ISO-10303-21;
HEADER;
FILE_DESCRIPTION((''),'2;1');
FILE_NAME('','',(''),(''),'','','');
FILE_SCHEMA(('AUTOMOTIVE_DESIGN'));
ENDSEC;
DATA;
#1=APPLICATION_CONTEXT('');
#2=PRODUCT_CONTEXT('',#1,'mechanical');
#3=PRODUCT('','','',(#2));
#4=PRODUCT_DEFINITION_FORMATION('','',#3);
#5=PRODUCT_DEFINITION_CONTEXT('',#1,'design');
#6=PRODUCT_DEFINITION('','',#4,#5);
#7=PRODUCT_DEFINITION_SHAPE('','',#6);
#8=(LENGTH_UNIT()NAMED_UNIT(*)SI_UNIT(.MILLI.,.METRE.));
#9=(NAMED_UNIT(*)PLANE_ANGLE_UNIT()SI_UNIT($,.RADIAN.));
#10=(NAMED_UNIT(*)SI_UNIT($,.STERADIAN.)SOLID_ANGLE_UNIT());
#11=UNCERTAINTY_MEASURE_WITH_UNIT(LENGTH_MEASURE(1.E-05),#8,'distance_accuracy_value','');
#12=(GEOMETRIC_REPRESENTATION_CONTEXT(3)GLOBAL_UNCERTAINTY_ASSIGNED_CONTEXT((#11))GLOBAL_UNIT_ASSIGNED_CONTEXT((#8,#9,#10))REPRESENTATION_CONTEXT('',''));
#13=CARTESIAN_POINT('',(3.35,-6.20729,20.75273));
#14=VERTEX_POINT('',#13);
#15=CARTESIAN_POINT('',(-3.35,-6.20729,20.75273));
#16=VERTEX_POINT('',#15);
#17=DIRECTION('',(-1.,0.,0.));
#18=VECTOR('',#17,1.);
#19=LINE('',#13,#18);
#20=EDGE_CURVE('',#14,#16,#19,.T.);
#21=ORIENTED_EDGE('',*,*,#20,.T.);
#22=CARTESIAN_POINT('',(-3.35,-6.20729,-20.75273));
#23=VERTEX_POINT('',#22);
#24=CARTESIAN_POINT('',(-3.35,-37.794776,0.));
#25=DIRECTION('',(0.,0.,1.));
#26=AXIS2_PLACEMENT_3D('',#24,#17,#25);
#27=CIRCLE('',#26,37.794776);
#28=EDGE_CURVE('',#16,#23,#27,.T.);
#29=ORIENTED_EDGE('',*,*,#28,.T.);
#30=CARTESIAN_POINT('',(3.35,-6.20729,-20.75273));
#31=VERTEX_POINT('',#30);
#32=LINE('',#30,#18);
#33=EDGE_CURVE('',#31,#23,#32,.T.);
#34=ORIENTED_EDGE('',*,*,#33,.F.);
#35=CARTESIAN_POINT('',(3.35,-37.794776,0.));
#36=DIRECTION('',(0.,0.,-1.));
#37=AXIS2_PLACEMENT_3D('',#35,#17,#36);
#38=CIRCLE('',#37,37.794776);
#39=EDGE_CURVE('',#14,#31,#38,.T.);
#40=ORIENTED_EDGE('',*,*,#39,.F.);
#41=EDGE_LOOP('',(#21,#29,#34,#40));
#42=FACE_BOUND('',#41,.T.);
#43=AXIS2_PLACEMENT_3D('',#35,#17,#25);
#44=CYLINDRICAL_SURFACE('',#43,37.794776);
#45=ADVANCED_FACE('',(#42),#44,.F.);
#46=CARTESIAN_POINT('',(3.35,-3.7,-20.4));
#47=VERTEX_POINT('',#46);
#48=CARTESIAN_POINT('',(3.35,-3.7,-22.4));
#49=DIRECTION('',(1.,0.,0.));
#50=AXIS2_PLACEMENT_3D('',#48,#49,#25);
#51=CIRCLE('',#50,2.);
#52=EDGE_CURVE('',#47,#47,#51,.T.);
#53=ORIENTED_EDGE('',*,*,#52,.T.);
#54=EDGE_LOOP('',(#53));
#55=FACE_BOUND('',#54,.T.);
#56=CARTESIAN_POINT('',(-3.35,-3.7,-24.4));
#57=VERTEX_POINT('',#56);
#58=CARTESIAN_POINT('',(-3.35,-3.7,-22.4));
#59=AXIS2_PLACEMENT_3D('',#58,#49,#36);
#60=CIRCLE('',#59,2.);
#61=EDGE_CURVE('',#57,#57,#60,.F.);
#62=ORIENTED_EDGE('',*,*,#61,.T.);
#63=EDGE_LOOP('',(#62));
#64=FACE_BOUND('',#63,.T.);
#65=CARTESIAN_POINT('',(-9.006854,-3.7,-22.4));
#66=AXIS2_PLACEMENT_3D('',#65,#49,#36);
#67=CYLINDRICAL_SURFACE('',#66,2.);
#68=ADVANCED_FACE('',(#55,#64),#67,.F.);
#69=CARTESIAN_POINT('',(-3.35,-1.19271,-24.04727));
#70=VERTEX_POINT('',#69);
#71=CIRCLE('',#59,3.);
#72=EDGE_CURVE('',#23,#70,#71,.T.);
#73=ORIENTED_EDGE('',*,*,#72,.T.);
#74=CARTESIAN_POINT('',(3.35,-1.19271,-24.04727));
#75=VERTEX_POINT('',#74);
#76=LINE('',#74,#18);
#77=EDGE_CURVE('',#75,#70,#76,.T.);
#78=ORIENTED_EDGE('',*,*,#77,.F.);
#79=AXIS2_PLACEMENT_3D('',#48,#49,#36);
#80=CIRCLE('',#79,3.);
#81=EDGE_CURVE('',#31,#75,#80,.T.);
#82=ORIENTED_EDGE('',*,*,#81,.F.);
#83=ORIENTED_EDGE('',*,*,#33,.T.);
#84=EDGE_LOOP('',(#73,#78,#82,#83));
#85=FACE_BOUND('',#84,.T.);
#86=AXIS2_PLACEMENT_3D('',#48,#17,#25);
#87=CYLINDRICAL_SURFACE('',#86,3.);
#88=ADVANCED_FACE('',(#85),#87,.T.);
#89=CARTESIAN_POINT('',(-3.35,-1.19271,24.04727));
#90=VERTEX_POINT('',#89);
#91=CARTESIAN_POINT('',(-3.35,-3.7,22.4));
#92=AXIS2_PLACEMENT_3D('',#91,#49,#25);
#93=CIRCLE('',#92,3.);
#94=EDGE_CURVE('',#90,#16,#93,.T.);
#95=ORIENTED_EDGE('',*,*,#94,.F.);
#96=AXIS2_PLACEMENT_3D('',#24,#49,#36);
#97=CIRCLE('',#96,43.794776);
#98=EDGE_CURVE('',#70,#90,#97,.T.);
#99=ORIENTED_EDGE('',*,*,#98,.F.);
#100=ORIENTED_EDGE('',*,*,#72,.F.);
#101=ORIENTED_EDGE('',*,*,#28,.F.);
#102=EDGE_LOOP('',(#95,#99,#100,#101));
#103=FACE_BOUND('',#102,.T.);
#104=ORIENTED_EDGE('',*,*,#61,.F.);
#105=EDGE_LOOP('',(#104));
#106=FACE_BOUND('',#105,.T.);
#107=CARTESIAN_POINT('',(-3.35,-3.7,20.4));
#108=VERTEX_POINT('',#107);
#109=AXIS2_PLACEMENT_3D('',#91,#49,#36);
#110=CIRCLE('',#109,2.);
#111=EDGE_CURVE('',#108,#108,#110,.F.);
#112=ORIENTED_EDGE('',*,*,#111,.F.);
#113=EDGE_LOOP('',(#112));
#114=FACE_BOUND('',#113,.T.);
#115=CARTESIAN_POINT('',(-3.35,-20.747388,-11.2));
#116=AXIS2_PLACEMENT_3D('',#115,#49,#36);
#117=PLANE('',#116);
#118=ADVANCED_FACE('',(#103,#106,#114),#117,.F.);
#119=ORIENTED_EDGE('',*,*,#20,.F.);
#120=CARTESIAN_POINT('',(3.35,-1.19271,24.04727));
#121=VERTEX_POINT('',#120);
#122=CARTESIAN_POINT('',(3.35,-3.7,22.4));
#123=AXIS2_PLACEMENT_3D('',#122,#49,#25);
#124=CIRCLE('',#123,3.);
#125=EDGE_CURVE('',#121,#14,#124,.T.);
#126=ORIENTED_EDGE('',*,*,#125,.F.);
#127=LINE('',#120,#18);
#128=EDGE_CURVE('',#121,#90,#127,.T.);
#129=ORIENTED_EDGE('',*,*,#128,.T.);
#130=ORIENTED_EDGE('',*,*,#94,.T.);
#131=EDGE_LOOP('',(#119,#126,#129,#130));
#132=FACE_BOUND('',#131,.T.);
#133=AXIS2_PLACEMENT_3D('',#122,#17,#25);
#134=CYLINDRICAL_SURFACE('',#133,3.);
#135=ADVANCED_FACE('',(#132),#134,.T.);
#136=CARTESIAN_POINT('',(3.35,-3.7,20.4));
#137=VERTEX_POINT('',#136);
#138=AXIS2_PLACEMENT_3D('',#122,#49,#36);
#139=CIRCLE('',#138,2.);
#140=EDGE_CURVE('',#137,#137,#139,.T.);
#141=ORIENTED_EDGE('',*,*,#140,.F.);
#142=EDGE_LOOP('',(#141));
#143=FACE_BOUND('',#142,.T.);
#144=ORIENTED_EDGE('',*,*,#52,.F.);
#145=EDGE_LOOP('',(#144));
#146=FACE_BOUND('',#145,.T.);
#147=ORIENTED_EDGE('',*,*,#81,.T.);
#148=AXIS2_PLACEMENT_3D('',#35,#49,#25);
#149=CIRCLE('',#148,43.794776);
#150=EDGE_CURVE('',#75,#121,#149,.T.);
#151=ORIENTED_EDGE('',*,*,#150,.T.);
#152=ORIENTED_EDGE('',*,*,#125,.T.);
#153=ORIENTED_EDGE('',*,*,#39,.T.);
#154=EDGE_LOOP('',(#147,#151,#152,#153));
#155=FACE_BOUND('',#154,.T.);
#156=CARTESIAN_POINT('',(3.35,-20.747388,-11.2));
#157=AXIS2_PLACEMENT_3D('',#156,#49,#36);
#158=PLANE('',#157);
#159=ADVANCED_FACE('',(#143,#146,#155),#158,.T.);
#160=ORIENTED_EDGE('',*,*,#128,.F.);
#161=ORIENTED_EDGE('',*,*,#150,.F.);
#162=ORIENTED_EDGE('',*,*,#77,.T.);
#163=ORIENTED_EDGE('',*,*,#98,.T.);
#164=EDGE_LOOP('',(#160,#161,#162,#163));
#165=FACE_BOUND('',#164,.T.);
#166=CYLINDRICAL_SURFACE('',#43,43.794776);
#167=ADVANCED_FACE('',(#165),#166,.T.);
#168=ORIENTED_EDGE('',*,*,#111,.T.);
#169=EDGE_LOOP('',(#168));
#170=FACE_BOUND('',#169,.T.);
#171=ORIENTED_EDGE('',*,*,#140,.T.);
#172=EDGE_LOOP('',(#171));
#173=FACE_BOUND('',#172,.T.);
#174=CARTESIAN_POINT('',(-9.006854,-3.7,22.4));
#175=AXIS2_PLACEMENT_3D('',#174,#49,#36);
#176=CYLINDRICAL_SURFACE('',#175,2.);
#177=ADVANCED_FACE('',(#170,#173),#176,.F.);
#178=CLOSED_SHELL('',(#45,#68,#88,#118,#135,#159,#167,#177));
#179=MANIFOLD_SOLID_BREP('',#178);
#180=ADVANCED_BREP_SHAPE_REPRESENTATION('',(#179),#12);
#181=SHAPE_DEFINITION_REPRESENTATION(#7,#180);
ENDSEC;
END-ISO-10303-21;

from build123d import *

# Parameters (mm, degrees)
BOSS_EXTRUDE1_DEPTH = 3.35
SKETCH2_R           = 2
CUT_EXTRUDE1_DEPTH  = 6.7


with BuildPart() as part:
    # Sketch1 → Boss-Extrude1 (new body, symmetric)
    with BuildSketch(Plane(origin=(0, 0, 0), x_dir=(0, 0, -1), z_dir=(1, 0, 0))):
        with BuildLine():
            ThreePointArc((0, 0), (10.830584713, -1.585060066), (20.752730266, -6.207289856))
            ThreePointArc((20.752730266, -6.207289856), (24.907289856, -5.347269734), (24.047269734, -1.192710144))
            ThreePointArc((24.047269734, -1.192710144), (12.549962758, 4.163308324), (0, 6))
            ThreePointArc((0, 6), (-12.549962758, 4.163308324), (-24.047269734, -1.192710144))
            ThreePointArc((-24.047269734, -1.192710144), (-24.907289856, -5.347269734), (-20.752730266, -6.207289856))
            ThreePointArc((-20.752730266, -6.207289856), (-10.830584713, -1.585060066), (0, 0))
        make_face()
    extrude(amount=BOSS_EXTRUDE1_DEPTH, both=True)

    # Sketch2 → Cut-Extrude1 (cut)
    with BuildSketch(Plane(origin=(3.35, 0, 0), x_dir=(0, 0, -1), z_dir=(1, 0, 0))):
        with Locations((-22.4, -3.7)):
            Circle(SKETCH2_R)
        with Locations((22.4, -3.7)):
            Circle(SKETCH2_R)
    extrude(amount=-CUT_EXTRUDE1_DEPTH, mode=Mode.SUBTRACT)


solid = part.part
